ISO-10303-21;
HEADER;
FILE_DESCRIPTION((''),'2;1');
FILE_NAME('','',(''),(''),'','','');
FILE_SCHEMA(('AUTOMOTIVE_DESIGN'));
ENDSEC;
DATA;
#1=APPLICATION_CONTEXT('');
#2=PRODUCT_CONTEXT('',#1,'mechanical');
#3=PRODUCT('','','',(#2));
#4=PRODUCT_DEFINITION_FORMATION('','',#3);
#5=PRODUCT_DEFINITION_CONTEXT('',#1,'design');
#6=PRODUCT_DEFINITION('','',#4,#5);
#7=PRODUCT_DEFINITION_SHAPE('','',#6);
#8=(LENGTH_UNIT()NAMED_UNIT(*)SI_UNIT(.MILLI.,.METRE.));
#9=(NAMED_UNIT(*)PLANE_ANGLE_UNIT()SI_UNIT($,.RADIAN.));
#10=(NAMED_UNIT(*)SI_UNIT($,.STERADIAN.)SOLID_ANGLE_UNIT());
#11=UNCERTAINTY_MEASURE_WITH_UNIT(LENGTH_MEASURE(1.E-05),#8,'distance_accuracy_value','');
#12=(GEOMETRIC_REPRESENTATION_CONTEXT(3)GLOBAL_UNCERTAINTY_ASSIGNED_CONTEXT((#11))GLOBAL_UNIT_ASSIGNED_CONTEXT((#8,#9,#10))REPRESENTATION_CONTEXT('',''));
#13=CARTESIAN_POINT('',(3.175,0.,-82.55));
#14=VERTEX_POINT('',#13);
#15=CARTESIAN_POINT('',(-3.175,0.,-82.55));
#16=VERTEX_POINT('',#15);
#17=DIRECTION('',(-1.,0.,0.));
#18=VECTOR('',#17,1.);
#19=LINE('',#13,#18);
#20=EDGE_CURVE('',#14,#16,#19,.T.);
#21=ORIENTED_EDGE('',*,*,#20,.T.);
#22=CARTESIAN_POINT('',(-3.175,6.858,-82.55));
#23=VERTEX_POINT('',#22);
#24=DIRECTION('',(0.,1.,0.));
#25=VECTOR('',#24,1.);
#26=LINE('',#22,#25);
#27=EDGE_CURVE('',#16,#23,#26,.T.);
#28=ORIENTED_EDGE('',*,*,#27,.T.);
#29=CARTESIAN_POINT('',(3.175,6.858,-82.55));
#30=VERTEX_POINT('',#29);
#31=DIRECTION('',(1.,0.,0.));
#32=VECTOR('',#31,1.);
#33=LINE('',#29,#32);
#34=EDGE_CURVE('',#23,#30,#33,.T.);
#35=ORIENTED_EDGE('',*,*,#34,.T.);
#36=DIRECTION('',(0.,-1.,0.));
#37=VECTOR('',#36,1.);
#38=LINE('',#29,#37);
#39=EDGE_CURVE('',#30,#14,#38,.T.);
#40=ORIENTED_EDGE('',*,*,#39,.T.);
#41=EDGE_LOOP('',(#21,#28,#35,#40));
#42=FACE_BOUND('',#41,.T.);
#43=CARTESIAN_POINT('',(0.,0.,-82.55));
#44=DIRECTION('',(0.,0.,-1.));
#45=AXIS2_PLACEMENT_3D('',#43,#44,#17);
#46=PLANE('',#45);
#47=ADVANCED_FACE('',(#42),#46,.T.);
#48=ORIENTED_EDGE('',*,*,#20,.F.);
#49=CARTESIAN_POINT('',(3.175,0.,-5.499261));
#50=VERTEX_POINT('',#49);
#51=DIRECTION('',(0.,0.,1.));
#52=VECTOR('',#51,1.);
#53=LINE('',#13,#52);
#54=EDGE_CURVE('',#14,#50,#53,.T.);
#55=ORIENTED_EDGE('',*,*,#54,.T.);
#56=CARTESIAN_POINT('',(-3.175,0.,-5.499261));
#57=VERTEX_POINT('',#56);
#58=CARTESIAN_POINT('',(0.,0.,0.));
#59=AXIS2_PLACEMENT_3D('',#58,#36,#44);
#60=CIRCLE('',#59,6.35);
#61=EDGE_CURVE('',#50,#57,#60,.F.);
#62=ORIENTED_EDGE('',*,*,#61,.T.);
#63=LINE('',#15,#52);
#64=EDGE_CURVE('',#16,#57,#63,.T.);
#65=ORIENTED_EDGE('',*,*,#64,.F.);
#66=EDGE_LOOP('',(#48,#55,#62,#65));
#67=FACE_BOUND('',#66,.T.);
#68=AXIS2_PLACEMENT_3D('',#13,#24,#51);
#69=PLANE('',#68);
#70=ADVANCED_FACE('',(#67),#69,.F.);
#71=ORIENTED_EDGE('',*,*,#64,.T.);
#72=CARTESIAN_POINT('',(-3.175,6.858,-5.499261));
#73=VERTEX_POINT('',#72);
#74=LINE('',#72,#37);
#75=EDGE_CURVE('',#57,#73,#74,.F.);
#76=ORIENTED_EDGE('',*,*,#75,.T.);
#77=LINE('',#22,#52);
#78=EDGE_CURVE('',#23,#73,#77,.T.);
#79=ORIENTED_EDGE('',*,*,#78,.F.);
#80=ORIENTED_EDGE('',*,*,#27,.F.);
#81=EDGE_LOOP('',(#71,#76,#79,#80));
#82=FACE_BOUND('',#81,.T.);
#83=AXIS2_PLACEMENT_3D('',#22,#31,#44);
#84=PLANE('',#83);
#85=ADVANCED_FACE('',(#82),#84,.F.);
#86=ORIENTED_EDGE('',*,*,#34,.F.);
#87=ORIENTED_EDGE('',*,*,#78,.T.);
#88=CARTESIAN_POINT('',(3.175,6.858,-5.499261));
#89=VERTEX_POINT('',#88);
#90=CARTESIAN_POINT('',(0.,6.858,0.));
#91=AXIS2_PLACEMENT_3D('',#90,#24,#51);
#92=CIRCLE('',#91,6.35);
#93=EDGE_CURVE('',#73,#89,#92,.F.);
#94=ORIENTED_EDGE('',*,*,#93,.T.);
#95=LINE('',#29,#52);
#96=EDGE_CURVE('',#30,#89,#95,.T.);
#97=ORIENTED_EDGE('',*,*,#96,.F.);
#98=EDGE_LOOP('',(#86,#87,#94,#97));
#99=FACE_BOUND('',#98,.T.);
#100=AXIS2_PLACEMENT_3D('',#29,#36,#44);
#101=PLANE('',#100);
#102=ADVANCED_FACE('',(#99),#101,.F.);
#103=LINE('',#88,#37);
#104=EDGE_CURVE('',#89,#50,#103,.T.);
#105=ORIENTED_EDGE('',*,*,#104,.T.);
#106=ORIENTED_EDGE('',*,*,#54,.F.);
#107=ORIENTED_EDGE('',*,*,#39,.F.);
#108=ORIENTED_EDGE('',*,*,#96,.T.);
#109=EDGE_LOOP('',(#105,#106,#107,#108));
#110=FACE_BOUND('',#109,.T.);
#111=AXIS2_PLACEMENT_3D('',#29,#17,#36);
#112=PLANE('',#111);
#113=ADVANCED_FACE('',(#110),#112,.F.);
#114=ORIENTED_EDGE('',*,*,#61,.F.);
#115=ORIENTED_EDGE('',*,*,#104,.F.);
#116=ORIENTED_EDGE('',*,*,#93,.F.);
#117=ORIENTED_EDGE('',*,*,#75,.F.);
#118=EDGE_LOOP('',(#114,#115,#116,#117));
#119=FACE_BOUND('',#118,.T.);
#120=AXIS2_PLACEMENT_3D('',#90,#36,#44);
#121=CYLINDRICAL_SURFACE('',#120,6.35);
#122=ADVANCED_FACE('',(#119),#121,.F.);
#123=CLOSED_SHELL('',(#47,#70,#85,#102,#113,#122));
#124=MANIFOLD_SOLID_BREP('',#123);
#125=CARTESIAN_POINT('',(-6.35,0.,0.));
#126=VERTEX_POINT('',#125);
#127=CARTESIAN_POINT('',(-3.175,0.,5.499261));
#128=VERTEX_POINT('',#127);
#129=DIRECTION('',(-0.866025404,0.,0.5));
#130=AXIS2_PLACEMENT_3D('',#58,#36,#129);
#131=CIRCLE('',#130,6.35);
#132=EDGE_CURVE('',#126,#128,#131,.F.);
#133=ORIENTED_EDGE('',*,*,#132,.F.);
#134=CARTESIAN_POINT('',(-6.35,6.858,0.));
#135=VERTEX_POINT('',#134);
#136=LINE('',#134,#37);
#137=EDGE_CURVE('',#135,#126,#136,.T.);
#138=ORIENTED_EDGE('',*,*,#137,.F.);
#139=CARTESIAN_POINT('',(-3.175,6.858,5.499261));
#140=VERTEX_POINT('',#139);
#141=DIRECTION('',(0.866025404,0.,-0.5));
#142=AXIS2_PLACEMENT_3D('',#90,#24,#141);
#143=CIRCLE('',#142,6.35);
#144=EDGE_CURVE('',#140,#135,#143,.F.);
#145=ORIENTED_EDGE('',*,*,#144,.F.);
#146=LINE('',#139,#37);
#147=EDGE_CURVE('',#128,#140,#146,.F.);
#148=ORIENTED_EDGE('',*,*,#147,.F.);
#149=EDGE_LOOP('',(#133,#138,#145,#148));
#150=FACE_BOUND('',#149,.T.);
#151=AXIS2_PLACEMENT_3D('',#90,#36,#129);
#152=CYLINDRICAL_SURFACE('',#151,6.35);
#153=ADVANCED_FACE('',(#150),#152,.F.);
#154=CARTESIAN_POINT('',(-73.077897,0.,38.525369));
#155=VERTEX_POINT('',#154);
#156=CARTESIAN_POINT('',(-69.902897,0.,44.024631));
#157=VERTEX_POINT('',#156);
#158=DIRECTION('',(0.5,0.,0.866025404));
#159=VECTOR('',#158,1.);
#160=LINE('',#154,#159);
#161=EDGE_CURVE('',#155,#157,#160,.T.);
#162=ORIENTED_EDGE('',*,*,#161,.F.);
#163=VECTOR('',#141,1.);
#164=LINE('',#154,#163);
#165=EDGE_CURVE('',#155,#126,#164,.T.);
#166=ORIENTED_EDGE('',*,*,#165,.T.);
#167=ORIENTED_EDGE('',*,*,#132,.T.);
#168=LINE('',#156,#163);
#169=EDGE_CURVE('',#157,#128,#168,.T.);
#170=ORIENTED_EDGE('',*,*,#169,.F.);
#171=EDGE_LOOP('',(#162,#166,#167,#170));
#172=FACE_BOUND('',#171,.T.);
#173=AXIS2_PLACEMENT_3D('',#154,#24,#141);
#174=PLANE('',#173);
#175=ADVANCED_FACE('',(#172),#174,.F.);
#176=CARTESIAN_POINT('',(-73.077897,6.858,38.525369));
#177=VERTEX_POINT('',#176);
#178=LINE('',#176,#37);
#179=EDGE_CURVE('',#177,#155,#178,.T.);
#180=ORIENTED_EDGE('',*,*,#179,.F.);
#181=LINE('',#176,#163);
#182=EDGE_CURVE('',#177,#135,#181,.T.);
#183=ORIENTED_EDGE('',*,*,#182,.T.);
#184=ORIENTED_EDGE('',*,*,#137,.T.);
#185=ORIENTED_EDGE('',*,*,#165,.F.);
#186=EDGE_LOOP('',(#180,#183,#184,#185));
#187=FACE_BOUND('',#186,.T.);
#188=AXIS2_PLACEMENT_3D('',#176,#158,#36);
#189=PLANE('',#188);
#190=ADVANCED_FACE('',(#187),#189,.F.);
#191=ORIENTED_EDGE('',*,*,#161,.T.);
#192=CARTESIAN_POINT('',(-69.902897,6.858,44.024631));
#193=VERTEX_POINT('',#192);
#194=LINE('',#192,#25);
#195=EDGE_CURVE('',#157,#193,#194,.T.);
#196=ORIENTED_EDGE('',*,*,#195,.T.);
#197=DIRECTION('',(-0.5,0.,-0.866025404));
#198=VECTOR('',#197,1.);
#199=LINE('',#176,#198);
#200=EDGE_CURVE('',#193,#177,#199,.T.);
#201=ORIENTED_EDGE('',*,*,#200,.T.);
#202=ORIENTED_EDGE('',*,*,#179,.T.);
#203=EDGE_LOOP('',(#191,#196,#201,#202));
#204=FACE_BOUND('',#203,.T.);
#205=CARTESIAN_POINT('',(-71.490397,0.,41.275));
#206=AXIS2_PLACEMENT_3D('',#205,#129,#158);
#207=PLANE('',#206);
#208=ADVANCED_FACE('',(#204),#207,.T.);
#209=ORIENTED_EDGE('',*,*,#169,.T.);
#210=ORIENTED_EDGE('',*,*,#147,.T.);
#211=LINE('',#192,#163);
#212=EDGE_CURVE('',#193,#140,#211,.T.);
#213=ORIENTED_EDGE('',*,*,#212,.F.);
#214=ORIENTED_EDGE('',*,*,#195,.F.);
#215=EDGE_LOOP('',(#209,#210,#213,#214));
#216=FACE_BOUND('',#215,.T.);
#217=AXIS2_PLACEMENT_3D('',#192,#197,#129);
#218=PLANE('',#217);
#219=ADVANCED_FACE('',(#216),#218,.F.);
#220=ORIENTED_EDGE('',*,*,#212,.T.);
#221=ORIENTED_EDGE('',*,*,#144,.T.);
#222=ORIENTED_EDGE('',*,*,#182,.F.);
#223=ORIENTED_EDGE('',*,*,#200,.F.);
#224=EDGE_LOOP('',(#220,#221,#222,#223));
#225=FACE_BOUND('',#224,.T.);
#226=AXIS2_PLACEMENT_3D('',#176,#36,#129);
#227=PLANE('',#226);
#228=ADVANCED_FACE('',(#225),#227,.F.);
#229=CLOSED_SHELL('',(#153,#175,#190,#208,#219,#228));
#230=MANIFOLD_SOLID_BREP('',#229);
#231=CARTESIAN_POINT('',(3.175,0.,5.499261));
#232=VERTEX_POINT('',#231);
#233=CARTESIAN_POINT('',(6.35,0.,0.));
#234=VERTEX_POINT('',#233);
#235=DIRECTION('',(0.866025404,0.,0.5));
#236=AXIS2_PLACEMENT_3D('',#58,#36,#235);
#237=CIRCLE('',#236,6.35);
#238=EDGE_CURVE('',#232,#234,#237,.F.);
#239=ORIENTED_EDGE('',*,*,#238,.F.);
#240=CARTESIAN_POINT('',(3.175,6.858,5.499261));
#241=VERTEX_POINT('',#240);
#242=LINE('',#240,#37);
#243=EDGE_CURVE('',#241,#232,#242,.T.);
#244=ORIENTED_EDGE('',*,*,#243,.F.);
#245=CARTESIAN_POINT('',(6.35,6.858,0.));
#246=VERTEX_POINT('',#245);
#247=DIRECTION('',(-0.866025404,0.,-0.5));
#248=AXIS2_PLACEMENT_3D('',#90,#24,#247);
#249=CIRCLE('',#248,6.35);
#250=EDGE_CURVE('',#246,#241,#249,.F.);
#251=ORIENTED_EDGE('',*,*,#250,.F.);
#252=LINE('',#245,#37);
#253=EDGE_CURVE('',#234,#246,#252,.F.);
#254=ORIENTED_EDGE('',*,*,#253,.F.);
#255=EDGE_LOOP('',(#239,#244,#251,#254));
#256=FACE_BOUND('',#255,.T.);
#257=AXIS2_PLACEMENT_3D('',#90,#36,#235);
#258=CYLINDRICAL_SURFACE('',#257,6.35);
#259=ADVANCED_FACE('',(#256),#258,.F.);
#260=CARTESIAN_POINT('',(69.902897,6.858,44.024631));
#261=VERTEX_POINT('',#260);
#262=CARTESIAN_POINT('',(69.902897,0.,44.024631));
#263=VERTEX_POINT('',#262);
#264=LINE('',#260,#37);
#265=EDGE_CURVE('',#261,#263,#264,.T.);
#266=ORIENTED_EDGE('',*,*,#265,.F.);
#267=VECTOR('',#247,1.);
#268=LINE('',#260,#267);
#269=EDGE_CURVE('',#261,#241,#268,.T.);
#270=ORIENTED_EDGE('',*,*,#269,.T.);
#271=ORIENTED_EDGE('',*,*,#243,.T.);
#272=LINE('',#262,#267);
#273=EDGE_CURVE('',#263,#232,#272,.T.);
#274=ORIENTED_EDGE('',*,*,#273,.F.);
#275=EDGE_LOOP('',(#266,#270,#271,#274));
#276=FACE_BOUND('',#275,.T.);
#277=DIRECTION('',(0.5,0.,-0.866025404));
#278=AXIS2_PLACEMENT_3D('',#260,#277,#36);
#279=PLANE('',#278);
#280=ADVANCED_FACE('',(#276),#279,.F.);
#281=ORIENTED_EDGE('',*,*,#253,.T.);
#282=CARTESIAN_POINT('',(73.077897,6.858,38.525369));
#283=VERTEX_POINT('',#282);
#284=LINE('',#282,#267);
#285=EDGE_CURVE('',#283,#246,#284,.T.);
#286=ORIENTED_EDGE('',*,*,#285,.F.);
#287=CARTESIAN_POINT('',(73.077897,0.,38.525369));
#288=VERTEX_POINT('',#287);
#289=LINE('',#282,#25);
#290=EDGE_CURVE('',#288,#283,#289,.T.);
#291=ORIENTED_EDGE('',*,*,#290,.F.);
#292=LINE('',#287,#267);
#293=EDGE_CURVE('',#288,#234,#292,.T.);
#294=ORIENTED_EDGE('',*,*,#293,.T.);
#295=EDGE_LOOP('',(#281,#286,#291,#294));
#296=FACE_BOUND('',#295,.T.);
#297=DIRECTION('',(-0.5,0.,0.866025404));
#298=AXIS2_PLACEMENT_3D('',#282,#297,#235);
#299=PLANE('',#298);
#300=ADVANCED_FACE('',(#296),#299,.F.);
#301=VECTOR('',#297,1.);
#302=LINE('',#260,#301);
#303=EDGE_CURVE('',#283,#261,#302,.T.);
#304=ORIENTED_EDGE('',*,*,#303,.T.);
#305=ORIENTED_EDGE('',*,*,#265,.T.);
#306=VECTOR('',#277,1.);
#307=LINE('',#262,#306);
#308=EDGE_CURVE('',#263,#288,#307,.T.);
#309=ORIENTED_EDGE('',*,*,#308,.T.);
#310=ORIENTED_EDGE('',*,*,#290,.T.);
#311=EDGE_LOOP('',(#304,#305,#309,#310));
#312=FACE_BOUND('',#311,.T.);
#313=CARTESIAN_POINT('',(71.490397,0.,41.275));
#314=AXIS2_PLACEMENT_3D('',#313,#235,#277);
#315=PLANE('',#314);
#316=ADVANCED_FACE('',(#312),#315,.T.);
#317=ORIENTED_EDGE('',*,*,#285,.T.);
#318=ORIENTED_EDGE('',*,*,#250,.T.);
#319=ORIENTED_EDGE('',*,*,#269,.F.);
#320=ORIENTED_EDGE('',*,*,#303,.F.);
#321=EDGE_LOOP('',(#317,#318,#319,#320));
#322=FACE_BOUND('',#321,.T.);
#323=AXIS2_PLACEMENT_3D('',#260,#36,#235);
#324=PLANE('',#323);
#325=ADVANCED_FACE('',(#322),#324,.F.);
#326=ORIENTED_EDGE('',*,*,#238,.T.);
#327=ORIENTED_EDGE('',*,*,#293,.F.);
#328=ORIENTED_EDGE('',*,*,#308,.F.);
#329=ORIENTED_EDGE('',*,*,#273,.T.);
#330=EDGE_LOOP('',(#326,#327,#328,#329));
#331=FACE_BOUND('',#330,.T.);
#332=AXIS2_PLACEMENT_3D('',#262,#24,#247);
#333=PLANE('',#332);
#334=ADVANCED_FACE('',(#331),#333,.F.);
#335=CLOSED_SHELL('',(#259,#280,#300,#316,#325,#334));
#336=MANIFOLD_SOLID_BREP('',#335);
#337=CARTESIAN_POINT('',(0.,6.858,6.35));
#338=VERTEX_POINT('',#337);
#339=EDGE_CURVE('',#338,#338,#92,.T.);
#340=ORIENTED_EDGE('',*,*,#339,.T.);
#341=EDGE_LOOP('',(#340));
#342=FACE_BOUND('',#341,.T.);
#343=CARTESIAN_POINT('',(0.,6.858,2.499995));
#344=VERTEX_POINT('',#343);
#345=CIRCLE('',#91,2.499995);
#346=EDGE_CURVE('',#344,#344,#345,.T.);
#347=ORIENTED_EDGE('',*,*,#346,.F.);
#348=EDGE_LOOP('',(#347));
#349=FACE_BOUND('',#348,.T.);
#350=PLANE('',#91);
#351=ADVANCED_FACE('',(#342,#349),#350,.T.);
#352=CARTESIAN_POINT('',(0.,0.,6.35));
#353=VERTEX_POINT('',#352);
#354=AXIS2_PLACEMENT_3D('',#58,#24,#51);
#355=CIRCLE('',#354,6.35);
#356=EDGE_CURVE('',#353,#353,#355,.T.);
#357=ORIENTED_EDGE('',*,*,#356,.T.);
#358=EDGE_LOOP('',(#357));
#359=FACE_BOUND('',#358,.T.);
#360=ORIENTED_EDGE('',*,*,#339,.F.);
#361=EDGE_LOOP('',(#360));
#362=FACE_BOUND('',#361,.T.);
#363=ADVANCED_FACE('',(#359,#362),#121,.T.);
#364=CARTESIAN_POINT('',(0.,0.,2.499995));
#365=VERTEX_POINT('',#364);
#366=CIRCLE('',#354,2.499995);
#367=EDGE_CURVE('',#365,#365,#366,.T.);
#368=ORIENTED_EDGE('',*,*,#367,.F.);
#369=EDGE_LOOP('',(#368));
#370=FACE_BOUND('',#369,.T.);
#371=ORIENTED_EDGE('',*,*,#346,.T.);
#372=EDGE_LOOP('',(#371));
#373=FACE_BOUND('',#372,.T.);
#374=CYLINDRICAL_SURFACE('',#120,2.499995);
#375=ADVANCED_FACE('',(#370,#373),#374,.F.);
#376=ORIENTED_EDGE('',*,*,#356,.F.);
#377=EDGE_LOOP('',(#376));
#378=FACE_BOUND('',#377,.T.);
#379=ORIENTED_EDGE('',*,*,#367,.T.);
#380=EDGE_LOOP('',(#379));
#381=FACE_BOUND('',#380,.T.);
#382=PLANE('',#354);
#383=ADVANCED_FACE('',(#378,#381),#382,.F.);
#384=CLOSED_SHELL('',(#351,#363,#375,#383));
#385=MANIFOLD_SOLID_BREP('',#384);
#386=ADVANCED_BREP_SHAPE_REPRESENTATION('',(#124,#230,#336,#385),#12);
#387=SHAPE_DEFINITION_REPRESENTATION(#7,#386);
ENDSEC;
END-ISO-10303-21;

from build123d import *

# Parameters (mm, degrees)
SKETCH1_R                            = 6.35
SKETCH1_R_2                          = 2.499995
BOSS_EXTRUDE1_DEPTH                  = 6.858
SKETCH3_W                            = 6.35
SKETCH3_H                            = 6.858
BOSS_EXTRUDE2_DEPTH                  = 76.2
BOSS_EXTRUDE2_DIRECTION_2_REACH      = 17.768
BOSS_EXTRUDE2_DIRECTION_2_END_RADIUS = 6.35
CIRPATTERN5_COUNT                    = 3


with BuildPart() as part:
    # Sketch1 → Boss-Extrude1 (new body)
    with BuildSketch(Plane(origin=(0, 0, 0), x_dir=(1, 0, 0), z_dir=(0, 1, 0))):
        with Locations(Location((0, 0, 0), (0, 0, 270))):
            Circle(SKETCH1_R)
        with Locations(Location((0, 0, 0), (0, 0, 270))):
            Circle(SKETCH1_R_2, mode=Mode.SUBTRACT)
    extrude(amount=BOSS_EXTRUDE1_DEPTH)


with BuildPart() as body_2:
    # Sketch3 → Boss-Extrude2 (new body)
    with BuildSketch(Plane(origin=(0, 0, -6.35), x_dir=(-1, 0, 0), z_dir=(0, 0, -1))):
        with Locations((0, 3.429)):
            Rectangle(SKETCH3_W, SKETCH3_H)
    extrude(amount=BOSS_EXTRUDE2_DEPTH)

    # Boss-Extrude2 direction 2: up to this cylinder (the profile starts outside it)
    boss_extrude2_direction_2_end = Plane(origin=(0, 3.429, 0), z_dir=(0, -1, 0)) * Cylinder(BOSS_EXTRUDE2_DIRECTION_2_END_RADIUS, 49.236, mode=Mode.PRIVATE)
    # Sketch3 → Boss-Extrude2 direction 2 (add, up to the surface)
    with BuildSketch(Plane(origin=(0, 0, -6.35), x_dir=(-1, 0, 0), z_dir=(0, 0, -1)), mode=Mode.PRIVATE) as boss_extrude2_direction_2_sk1:
        with Locations((0, 3.429)):
            Rectangle(SKETCH3_W, SKETCH3_H)
    boss_extrude2_direction_2_tool1 = extrude(boss_extrude2_direction_2_sk1.sketch, amount=-BOSS_EXTRUDE2_DIRECTION_2_REACH, mode=Mode.PRIVATE) - boss_extrude2_direction_2_end
    add(boss_extrude2_direction_2_tool1.solids().sort_by_distance((0, 3.429, -6.35))[0])
    add(boss_extrude2_direction_2_tool1.solids().sort_by_distance((0, 3.429, -6.35))[1])


with BuildPart() as cirpattern5_1:
    # CirPattern5: pattern copy
    add(body_2.part.rotate(Axis((0, 0, 0), (0, 1, 0)), 1 * 360 / CIRPATTERN5_COUNT))


with BuildPart() as cirpattern5_2:
    # CirPattern5: pattern copy
    add(body_2.part.rotate(Axis((0, 0, 0), (0, 1, 0)), 2 * 360 / CIRPATTERN5_COUNT))


solid = Compound([part.part, body_2.part, cirpattern5_1.part, cirpattern5_2.part])
